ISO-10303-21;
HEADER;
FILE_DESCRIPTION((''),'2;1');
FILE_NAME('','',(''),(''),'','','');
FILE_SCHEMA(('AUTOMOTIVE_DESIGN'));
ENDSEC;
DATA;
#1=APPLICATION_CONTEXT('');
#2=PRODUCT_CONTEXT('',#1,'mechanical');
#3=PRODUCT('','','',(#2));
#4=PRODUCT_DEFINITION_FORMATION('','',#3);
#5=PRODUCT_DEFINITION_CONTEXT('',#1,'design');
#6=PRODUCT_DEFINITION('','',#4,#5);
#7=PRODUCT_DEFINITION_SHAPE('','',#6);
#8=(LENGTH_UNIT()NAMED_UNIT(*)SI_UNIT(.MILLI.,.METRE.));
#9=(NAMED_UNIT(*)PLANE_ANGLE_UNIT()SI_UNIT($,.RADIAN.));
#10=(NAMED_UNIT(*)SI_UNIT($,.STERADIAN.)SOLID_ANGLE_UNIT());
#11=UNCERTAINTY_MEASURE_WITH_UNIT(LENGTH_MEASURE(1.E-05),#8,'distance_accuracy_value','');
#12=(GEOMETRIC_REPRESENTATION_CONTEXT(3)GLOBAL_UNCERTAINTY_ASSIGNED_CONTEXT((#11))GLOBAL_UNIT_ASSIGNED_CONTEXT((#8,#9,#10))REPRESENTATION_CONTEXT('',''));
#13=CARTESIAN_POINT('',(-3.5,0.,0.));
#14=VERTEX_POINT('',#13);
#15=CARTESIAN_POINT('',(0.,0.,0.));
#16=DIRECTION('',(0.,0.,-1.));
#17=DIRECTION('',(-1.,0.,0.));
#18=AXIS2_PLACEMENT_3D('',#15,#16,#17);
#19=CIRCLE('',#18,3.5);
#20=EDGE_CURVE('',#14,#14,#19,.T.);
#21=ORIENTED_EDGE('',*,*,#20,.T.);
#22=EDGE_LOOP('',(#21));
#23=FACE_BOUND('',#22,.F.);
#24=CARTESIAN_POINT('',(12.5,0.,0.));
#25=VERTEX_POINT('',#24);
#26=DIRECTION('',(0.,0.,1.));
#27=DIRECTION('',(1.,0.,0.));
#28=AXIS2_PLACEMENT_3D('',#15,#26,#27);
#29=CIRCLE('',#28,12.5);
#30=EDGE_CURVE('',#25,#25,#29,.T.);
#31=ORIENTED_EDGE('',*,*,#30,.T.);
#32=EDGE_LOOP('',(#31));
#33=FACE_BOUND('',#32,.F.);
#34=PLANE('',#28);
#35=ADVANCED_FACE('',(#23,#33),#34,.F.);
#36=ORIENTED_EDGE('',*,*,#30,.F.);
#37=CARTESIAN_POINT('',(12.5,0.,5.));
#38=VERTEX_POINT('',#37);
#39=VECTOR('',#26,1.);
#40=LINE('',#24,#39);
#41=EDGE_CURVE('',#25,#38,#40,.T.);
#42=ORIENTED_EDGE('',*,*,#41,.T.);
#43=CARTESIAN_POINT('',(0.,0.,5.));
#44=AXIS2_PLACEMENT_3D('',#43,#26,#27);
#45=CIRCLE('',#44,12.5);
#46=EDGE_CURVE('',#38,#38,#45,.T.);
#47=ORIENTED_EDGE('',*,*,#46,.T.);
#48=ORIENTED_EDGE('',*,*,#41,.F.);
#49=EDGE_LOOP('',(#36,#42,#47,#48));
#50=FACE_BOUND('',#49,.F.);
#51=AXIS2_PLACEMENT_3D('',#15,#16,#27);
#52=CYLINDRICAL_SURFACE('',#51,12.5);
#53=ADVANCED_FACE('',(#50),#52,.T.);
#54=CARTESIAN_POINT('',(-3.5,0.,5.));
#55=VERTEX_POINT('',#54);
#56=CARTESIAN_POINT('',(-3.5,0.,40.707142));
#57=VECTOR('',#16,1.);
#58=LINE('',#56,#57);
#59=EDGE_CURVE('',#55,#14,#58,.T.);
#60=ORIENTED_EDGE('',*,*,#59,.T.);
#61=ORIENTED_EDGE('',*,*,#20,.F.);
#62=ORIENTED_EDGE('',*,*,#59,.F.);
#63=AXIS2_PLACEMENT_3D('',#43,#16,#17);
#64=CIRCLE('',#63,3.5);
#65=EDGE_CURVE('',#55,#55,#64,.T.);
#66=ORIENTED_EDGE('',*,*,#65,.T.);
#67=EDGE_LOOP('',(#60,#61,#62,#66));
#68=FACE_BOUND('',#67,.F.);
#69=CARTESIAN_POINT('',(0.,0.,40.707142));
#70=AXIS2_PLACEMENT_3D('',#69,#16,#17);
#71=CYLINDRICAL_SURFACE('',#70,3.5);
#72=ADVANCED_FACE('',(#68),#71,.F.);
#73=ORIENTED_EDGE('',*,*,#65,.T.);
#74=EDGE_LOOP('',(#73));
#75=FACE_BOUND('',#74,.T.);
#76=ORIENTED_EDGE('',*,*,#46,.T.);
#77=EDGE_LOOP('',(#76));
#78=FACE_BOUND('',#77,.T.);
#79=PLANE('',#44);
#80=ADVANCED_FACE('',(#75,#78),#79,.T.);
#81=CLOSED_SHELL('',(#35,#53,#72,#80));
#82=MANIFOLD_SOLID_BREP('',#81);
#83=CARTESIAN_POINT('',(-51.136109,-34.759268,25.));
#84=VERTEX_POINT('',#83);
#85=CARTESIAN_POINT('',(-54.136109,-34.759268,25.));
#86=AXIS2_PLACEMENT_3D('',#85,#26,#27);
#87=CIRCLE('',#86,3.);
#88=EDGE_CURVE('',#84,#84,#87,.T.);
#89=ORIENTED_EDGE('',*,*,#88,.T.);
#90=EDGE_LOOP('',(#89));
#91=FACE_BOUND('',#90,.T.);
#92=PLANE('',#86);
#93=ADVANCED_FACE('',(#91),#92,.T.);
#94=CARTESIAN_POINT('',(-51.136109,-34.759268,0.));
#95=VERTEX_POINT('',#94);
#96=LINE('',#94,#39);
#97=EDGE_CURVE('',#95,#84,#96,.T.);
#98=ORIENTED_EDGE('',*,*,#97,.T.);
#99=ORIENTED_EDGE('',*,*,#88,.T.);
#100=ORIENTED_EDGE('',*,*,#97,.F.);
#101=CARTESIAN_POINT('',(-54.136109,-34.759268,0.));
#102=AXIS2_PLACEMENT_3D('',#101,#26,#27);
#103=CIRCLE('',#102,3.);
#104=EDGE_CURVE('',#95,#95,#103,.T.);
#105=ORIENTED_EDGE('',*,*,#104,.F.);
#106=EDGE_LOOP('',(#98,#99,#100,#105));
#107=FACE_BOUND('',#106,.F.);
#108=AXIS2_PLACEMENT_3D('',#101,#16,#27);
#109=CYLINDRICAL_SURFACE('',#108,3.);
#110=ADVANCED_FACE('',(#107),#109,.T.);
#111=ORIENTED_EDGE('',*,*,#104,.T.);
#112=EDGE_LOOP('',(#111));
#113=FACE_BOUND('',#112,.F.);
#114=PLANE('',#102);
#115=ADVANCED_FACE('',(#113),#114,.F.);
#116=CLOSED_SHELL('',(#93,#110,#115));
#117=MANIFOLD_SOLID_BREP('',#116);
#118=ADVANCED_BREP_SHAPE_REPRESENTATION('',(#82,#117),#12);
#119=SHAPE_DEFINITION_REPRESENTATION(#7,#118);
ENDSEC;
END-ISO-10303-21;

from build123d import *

# Parameters (mm, degrees)
F0_R     = 12.5
F1_DEPTH = 5
F3_D     = 7
F4_R     = 3
F5_DEPTH = 25


with BuildPart() as f1:
    # F0 (on Top) → F1 (new body)
    with BuildSketch(Plane.XY):
        Circle(F0_R)
    extrude(amount=F1_DEPTH)

    # F3 (through all)
    with Locations(Plane.XY.offset(5)):
        with Locations((0, 0)):
            Hole(F3_D / 2)


with BuildPart() as f5:
    # F4 (on Top) → F5 (new body)
    with BuildSketch(Plane.XY):
        with Locations((-54.136109, -34.759268)):
            Circle(F4_R)
    extrude(amount=F5_DEPTH)


solid = Compound([f1.part, f5.part])
